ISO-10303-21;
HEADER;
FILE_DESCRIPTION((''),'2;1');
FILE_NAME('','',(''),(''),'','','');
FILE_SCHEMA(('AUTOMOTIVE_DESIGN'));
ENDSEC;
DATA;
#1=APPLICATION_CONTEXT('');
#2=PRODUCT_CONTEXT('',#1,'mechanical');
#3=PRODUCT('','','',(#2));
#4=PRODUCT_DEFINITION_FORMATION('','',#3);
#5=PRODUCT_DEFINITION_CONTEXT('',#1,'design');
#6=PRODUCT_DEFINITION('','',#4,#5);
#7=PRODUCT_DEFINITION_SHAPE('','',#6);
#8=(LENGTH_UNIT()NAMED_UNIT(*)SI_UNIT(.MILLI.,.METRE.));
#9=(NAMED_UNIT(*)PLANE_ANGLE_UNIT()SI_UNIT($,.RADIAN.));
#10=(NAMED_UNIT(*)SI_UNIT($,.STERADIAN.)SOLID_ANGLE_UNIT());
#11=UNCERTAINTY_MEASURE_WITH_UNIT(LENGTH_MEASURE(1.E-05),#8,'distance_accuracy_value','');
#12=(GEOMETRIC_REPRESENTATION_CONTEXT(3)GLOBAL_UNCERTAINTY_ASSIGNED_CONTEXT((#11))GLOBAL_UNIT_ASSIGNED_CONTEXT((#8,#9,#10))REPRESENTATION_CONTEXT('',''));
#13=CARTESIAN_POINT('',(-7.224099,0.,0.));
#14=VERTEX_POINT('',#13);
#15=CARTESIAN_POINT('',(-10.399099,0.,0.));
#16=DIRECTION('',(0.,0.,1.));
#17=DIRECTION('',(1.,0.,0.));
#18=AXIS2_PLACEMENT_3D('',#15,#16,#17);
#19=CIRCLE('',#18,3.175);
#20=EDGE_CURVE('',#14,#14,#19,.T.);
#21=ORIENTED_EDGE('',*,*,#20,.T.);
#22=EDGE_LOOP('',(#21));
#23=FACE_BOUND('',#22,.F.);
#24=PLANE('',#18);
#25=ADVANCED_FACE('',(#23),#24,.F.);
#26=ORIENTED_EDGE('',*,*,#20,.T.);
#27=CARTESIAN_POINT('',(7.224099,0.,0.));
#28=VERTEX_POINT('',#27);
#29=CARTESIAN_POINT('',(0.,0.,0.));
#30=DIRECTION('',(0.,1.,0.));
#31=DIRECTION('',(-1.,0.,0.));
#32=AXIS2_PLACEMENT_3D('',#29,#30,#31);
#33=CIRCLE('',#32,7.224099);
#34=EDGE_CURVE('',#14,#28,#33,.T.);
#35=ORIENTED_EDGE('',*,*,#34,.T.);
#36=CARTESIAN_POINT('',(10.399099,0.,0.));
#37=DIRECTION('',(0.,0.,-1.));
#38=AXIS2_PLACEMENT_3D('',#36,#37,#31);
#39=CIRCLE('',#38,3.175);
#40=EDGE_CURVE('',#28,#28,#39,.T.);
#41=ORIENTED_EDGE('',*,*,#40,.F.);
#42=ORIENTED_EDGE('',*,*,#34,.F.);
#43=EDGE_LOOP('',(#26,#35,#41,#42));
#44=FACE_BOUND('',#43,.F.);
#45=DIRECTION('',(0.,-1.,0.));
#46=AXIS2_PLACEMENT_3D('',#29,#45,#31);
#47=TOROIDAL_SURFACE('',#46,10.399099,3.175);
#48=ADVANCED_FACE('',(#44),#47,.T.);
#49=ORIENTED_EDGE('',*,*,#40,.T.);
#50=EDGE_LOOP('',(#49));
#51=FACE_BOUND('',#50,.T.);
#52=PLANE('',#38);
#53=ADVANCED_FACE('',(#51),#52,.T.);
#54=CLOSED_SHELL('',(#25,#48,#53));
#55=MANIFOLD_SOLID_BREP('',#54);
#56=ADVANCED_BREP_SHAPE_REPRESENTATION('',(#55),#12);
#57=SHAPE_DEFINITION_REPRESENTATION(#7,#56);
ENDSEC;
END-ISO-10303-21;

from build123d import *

# Parameters (mm, degrees)
F0_R     = 3.175
F2_ANGLE = 180


with BuildPart() as f2:
    # F0 (on Top) → F2 (revolve)
    with BuildSketch(Plane.XY):
        with Locations((-10.399099, 0)):
            Circle(F0_R)
    revolve(axis=Axis((0, 0.853186, 0), (0, 1, 0)), revolution_arc=F2_ANGLE)


solid = f2.part
